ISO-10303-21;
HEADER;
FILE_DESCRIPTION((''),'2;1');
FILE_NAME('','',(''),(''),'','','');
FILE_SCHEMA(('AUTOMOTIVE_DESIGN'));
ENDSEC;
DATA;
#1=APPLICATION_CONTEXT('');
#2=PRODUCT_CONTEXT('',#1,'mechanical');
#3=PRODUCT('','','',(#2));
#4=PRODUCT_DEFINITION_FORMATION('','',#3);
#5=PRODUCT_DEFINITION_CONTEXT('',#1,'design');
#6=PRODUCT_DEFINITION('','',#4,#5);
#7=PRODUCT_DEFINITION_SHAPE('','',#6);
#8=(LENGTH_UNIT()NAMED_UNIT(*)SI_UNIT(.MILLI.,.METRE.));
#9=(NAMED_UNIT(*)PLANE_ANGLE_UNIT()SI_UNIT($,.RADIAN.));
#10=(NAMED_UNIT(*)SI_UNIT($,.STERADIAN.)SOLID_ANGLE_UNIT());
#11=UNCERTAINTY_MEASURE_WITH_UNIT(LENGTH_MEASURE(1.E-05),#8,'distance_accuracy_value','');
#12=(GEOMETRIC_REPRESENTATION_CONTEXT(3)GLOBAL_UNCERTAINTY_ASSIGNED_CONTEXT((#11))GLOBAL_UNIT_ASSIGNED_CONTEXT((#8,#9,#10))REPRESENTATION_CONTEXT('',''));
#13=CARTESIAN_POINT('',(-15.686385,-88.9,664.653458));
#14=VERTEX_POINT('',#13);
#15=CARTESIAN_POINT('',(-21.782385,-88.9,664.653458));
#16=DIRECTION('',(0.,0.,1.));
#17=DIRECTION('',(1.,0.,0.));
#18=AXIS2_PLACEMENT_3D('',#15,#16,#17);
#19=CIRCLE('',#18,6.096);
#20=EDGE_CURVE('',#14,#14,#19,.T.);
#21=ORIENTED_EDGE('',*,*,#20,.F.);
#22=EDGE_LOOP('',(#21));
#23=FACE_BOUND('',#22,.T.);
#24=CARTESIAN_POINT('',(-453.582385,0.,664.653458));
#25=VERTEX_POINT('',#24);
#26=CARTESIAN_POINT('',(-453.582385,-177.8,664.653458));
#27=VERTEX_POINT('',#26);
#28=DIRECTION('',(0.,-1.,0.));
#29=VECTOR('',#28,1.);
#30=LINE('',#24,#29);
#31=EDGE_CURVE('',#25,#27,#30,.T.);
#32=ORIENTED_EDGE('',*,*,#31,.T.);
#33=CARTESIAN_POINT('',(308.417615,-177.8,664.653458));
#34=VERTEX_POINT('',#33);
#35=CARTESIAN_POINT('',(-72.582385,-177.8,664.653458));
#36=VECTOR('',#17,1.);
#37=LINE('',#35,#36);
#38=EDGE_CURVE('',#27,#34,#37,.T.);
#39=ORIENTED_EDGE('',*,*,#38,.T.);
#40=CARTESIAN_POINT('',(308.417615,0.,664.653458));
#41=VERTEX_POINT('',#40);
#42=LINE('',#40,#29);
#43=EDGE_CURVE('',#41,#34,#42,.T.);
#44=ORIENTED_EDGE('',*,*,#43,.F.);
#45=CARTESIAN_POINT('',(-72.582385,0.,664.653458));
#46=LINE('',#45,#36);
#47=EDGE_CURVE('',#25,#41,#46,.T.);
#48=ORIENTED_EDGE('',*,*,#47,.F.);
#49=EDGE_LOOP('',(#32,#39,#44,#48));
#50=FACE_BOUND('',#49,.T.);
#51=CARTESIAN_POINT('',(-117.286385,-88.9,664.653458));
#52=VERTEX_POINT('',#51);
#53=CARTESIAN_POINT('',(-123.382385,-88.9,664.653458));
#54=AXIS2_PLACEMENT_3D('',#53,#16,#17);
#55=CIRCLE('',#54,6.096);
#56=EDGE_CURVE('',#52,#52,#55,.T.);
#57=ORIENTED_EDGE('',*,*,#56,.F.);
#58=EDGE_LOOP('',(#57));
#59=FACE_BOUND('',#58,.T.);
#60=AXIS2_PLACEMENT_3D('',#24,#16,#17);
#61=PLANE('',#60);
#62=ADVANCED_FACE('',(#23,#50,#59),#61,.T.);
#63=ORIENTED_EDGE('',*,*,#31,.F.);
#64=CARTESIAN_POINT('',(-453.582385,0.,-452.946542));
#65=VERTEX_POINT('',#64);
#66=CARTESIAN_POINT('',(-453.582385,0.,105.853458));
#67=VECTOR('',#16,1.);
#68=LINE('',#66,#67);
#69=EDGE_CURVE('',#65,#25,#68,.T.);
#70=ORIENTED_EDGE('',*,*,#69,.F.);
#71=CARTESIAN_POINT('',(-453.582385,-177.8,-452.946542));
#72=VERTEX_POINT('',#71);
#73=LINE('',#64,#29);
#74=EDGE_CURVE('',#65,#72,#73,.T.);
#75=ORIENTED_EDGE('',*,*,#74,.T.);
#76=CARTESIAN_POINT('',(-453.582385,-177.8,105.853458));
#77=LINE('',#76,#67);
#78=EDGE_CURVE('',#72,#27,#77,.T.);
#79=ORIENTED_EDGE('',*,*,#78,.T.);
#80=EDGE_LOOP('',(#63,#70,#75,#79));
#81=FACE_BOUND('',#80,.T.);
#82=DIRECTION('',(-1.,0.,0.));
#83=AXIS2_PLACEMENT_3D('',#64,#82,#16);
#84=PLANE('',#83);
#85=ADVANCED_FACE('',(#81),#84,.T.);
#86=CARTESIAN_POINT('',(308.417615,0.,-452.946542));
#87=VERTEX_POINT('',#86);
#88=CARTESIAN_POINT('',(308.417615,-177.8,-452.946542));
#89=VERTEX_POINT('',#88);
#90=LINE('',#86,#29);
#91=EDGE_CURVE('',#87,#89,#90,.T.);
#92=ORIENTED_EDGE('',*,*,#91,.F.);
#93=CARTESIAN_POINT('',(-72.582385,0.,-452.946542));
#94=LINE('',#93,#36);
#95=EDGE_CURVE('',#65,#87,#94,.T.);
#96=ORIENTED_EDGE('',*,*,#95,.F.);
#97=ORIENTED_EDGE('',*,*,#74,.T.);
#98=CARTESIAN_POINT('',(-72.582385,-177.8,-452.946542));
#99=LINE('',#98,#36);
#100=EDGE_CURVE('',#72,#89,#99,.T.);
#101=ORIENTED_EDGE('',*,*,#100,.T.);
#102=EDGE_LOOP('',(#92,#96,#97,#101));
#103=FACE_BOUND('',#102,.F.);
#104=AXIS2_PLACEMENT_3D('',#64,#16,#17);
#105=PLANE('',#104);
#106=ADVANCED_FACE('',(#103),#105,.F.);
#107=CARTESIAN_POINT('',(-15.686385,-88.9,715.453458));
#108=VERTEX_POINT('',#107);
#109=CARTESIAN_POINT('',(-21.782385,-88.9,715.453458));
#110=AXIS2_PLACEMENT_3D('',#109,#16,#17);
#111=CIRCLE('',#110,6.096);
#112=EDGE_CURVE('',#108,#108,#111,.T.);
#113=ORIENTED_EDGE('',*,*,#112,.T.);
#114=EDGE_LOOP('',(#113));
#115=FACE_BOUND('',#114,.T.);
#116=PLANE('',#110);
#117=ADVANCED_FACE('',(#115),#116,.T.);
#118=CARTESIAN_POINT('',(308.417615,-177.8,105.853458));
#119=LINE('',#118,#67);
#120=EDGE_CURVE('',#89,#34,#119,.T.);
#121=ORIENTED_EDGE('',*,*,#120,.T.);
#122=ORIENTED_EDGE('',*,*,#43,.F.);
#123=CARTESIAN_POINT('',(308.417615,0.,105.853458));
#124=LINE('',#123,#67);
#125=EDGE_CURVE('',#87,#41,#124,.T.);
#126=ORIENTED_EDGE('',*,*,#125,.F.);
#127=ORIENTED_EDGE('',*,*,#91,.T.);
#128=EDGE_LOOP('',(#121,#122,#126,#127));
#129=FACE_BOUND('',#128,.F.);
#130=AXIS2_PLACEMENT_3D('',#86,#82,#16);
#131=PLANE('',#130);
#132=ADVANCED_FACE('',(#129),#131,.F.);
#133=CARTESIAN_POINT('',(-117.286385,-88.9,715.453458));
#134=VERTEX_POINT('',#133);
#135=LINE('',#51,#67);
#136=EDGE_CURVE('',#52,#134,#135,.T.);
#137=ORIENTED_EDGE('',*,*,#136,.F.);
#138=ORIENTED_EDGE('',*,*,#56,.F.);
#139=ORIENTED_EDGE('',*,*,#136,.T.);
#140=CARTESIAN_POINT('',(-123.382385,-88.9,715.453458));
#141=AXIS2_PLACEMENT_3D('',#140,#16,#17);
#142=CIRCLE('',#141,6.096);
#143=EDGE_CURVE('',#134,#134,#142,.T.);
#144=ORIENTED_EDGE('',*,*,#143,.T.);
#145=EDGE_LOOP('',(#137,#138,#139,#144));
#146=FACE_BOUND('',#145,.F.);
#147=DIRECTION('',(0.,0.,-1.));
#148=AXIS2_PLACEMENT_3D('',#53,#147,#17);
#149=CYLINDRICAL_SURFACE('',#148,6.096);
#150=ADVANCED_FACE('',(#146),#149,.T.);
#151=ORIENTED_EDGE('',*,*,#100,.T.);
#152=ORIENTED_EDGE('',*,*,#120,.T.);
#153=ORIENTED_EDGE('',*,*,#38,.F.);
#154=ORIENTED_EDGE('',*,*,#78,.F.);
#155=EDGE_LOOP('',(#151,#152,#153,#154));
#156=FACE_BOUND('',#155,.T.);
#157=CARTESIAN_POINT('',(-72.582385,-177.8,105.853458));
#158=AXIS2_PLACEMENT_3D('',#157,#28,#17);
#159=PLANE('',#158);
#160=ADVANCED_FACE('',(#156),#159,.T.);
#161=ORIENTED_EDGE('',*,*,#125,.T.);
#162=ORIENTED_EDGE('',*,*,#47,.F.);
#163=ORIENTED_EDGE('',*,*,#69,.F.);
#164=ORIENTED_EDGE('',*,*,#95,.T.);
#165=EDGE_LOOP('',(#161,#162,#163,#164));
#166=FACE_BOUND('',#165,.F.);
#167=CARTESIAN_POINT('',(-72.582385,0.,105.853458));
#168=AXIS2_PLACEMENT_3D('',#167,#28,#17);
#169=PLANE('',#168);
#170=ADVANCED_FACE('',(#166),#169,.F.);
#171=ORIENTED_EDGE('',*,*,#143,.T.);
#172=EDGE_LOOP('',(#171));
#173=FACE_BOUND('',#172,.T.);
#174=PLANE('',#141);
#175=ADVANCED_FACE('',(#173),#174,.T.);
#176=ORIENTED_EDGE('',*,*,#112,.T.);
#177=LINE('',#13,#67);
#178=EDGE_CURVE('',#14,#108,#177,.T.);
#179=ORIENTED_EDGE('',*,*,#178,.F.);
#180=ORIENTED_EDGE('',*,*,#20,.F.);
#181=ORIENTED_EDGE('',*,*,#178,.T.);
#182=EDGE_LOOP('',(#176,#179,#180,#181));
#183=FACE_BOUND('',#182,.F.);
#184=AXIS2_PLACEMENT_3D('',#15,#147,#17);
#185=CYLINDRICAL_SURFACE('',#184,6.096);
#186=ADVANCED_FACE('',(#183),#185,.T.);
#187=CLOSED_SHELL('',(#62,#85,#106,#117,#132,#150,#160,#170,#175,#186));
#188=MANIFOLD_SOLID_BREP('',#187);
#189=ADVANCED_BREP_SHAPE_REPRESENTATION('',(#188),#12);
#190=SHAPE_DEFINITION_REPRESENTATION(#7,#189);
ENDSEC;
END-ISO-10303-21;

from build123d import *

# Parameters (mm, degrees)
F0_W     = 762
F0_H     = 1117.6
F1_DEPTH = 177.8
F2_R     = 6.096
F3_DEPTH = 50.8


with BuildPart() as f1:
    # F0 (on Front) → F1 (new body)
    with BuildSketch(Plane.XZ):
        with Locations((-72.582385, 105.853458)):
            Rectangle(F0_W, F0_H)
    extrude(amount=F1_DEPTH)

    # F2 (on face) → F3 (join)
    with BuildSketch(Plane.XY.offset(664.653458)):
        with Locations((-123.382385, -88.9)):
            Circle(F2_R)
        with Locations((-21.782385, -88.9)):
            Circle(F2_R)
    extrude(amount=F3_DEPTH)


solid = f1.part
